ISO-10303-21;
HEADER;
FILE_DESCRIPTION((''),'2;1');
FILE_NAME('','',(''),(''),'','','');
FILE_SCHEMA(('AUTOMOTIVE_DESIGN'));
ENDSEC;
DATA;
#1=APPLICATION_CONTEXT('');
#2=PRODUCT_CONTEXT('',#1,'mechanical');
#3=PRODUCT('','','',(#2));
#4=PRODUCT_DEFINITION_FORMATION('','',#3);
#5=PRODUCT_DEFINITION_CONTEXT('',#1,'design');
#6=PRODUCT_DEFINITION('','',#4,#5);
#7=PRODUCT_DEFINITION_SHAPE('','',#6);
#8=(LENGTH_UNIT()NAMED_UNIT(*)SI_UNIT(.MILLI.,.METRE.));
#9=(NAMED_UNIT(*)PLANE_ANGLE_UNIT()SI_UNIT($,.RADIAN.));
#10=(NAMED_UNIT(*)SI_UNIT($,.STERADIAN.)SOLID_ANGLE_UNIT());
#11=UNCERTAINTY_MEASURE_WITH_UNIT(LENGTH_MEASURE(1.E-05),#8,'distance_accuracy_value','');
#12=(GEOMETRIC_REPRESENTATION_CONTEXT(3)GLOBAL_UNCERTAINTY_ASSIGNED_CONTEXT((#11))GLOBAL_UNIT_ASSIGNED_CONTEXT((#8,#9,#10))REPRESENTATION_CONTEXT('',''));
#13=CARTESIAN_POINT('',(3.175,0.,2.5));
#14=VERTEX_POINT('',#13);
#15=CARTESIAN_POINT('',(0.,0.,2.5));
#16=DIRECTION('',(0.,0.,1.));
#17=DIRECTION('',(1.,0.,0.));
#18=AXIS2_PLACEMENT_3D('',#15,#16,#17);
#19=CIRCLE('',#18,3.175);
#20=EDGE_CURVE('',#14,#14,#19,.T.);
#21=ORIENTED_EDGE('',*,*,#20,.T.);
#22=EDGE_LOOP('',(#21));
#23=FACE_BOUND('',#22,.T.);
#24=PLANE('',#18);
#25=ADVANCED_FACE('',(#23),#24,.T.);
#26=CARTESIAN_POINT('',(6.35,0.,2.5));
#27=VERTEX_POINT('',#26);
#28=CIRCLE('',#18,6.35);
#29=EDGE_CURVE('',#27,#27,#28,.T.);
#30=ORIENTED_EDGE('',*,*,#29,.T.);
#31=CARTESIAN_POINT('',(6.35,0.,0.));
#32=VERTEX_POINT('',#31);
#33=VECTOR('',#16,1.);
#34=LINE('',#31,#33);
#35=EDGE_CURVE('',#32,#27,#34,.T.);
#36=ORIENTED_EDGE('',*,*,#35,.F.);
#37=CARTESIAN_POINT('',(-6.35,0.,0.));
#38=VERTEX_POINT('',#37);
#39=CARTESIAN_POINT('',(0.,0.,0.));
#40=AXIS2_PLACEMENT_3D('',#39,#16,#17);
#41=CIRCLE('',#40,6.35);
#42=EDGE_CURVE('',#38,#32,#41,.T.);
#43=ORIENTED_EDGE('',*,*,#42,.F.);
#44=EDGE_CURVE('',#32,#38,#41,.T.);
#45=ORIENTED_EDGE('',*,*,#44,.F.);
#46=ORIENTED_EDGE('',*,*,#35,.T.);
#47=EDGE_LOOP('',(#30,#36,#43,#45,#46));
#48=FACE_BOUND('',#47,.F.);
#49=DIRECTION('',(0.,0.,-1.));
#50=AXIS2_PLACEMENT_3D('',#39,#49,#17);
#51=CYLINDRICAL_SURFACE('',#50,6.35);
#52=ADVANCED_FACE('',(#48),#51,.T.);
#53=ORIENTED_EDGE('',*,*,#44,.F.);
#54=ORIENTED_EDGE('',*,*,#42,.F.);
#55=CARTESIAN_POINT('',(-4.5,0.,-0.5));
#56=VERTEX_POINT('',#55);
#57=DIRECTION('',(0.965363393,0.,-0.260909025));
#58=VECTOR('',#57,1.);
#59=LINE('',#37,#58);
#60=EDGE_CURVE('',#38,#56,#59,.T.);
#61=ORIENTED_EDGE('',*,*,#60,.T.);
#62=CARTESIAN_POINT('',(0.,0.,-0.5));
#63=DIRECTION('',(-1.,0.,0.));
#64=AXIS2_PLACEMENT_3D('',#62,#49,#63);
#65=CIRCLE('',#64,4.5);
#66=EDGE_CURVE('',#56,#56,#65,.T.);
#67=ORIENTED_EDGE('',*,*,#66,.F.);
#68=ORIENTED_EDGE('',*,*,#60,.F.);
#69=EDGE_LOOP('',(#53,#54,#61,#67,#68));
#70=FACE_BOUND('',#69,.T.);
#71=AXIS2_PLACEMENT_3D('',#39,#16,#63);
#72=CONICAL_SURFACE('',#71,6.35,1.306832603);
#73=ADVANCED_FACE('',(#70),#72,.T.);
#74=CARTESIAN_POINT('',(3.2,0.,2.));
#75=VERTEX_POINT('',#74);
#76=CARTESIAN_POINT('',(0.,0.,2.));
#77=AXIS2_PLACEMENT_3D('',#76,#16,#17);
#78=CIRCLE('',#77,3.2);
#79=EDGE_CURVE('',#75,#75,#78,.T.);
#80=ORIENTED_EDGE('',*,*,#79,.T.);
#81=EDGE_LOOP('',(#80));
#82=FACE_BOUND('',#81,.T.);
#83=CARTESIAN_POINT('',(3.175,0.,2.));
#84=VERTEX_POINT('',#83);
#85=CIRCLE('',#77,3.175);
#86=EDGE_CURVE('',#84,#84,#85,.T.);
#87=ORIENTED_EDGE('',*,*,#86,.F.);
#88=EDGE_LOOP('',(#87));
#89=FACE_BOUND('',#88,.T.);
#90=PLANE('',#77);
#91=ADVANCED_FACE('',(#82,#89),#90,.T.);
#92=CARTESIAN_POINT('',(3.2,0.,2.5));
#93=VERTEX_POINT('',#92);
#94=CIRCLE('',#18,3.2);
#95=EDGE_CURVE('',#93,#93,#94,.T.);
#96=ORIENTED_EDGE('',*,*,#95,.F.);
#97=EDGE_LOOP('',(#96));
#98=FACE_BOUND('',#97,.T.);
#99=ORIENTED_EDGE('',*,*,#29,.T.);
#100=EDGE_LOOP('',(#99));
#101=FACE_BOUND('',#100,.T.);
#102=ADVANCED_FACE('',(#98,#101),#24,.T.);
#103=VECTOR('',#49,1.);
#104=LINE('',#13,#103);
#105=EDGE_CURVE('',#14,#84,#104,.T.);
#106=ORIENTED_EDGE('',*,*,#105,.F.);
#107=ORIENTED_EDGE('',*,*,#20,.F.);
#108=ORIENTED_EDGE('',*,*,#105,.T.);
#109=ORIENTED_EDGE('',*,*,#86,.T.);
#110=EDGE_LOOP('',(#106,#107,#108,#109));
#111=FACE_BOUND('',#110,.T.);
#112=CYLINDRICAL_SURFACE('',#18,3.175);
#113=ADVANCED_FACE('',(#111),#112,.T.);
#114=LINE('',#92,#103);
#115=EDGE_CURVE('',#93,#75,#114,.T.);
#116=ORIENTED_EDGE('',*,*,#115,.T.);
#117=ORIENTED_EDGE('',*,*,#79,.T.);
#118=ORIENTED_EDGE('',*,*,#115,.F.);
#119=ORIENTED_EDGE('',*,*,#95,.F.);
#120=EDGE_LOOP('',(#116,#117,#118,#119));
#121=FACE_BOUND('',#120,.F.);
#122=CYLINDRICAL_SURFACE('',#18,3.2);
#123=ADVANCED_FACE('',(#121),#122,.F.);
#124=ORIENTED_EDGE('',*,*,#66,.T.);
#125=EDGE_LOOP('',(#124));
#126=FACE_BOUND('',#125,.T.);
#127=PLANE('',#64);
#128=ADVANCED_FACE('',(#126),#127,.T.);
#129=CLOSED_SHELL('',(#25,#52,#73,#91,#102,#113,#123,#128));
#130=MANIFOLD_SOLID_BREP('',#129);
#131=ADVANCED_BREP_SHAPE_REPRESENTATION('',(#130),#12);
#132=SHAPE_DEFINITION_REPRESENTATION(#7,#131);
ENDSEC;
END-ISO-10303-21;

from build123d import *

# Parameters (mm, degrees)
F0_R     = 6.35
F1_DEPTH = 2.5
F2_R     = 3.2
F2_R_2   = 3.175
F3_DEPTH = 0.5


with BuildPart() as f1:
    # F0 (on Top) → F1 (new body)
    with BuildSketch(Plane.XY):
        Circle(F0_R)
    extrude(amount=F1_DEPTH)

    # F2 (on face) → F3 (cut)
    with BuildSketch(Plane.XY.offset(2.5)):
        Circle(F2_R)
        Circle(F2_R_2, mode=Mode.SUBTRACT)
    extrude(amount=-F3_DEPTH, mode=Mode.SUBTRACT)

    # F4 (on Front) → F5 (revolve)
    with BuildSketch(Plane.XZ):
        Polygon((0, 0), (-6.35, 0), (-4.5, -0.5), (0, -0.5), align=None)
    revolve(axis=Axis((0, 0, -0.25), (0, 0, -1)))


solid = f1.part
